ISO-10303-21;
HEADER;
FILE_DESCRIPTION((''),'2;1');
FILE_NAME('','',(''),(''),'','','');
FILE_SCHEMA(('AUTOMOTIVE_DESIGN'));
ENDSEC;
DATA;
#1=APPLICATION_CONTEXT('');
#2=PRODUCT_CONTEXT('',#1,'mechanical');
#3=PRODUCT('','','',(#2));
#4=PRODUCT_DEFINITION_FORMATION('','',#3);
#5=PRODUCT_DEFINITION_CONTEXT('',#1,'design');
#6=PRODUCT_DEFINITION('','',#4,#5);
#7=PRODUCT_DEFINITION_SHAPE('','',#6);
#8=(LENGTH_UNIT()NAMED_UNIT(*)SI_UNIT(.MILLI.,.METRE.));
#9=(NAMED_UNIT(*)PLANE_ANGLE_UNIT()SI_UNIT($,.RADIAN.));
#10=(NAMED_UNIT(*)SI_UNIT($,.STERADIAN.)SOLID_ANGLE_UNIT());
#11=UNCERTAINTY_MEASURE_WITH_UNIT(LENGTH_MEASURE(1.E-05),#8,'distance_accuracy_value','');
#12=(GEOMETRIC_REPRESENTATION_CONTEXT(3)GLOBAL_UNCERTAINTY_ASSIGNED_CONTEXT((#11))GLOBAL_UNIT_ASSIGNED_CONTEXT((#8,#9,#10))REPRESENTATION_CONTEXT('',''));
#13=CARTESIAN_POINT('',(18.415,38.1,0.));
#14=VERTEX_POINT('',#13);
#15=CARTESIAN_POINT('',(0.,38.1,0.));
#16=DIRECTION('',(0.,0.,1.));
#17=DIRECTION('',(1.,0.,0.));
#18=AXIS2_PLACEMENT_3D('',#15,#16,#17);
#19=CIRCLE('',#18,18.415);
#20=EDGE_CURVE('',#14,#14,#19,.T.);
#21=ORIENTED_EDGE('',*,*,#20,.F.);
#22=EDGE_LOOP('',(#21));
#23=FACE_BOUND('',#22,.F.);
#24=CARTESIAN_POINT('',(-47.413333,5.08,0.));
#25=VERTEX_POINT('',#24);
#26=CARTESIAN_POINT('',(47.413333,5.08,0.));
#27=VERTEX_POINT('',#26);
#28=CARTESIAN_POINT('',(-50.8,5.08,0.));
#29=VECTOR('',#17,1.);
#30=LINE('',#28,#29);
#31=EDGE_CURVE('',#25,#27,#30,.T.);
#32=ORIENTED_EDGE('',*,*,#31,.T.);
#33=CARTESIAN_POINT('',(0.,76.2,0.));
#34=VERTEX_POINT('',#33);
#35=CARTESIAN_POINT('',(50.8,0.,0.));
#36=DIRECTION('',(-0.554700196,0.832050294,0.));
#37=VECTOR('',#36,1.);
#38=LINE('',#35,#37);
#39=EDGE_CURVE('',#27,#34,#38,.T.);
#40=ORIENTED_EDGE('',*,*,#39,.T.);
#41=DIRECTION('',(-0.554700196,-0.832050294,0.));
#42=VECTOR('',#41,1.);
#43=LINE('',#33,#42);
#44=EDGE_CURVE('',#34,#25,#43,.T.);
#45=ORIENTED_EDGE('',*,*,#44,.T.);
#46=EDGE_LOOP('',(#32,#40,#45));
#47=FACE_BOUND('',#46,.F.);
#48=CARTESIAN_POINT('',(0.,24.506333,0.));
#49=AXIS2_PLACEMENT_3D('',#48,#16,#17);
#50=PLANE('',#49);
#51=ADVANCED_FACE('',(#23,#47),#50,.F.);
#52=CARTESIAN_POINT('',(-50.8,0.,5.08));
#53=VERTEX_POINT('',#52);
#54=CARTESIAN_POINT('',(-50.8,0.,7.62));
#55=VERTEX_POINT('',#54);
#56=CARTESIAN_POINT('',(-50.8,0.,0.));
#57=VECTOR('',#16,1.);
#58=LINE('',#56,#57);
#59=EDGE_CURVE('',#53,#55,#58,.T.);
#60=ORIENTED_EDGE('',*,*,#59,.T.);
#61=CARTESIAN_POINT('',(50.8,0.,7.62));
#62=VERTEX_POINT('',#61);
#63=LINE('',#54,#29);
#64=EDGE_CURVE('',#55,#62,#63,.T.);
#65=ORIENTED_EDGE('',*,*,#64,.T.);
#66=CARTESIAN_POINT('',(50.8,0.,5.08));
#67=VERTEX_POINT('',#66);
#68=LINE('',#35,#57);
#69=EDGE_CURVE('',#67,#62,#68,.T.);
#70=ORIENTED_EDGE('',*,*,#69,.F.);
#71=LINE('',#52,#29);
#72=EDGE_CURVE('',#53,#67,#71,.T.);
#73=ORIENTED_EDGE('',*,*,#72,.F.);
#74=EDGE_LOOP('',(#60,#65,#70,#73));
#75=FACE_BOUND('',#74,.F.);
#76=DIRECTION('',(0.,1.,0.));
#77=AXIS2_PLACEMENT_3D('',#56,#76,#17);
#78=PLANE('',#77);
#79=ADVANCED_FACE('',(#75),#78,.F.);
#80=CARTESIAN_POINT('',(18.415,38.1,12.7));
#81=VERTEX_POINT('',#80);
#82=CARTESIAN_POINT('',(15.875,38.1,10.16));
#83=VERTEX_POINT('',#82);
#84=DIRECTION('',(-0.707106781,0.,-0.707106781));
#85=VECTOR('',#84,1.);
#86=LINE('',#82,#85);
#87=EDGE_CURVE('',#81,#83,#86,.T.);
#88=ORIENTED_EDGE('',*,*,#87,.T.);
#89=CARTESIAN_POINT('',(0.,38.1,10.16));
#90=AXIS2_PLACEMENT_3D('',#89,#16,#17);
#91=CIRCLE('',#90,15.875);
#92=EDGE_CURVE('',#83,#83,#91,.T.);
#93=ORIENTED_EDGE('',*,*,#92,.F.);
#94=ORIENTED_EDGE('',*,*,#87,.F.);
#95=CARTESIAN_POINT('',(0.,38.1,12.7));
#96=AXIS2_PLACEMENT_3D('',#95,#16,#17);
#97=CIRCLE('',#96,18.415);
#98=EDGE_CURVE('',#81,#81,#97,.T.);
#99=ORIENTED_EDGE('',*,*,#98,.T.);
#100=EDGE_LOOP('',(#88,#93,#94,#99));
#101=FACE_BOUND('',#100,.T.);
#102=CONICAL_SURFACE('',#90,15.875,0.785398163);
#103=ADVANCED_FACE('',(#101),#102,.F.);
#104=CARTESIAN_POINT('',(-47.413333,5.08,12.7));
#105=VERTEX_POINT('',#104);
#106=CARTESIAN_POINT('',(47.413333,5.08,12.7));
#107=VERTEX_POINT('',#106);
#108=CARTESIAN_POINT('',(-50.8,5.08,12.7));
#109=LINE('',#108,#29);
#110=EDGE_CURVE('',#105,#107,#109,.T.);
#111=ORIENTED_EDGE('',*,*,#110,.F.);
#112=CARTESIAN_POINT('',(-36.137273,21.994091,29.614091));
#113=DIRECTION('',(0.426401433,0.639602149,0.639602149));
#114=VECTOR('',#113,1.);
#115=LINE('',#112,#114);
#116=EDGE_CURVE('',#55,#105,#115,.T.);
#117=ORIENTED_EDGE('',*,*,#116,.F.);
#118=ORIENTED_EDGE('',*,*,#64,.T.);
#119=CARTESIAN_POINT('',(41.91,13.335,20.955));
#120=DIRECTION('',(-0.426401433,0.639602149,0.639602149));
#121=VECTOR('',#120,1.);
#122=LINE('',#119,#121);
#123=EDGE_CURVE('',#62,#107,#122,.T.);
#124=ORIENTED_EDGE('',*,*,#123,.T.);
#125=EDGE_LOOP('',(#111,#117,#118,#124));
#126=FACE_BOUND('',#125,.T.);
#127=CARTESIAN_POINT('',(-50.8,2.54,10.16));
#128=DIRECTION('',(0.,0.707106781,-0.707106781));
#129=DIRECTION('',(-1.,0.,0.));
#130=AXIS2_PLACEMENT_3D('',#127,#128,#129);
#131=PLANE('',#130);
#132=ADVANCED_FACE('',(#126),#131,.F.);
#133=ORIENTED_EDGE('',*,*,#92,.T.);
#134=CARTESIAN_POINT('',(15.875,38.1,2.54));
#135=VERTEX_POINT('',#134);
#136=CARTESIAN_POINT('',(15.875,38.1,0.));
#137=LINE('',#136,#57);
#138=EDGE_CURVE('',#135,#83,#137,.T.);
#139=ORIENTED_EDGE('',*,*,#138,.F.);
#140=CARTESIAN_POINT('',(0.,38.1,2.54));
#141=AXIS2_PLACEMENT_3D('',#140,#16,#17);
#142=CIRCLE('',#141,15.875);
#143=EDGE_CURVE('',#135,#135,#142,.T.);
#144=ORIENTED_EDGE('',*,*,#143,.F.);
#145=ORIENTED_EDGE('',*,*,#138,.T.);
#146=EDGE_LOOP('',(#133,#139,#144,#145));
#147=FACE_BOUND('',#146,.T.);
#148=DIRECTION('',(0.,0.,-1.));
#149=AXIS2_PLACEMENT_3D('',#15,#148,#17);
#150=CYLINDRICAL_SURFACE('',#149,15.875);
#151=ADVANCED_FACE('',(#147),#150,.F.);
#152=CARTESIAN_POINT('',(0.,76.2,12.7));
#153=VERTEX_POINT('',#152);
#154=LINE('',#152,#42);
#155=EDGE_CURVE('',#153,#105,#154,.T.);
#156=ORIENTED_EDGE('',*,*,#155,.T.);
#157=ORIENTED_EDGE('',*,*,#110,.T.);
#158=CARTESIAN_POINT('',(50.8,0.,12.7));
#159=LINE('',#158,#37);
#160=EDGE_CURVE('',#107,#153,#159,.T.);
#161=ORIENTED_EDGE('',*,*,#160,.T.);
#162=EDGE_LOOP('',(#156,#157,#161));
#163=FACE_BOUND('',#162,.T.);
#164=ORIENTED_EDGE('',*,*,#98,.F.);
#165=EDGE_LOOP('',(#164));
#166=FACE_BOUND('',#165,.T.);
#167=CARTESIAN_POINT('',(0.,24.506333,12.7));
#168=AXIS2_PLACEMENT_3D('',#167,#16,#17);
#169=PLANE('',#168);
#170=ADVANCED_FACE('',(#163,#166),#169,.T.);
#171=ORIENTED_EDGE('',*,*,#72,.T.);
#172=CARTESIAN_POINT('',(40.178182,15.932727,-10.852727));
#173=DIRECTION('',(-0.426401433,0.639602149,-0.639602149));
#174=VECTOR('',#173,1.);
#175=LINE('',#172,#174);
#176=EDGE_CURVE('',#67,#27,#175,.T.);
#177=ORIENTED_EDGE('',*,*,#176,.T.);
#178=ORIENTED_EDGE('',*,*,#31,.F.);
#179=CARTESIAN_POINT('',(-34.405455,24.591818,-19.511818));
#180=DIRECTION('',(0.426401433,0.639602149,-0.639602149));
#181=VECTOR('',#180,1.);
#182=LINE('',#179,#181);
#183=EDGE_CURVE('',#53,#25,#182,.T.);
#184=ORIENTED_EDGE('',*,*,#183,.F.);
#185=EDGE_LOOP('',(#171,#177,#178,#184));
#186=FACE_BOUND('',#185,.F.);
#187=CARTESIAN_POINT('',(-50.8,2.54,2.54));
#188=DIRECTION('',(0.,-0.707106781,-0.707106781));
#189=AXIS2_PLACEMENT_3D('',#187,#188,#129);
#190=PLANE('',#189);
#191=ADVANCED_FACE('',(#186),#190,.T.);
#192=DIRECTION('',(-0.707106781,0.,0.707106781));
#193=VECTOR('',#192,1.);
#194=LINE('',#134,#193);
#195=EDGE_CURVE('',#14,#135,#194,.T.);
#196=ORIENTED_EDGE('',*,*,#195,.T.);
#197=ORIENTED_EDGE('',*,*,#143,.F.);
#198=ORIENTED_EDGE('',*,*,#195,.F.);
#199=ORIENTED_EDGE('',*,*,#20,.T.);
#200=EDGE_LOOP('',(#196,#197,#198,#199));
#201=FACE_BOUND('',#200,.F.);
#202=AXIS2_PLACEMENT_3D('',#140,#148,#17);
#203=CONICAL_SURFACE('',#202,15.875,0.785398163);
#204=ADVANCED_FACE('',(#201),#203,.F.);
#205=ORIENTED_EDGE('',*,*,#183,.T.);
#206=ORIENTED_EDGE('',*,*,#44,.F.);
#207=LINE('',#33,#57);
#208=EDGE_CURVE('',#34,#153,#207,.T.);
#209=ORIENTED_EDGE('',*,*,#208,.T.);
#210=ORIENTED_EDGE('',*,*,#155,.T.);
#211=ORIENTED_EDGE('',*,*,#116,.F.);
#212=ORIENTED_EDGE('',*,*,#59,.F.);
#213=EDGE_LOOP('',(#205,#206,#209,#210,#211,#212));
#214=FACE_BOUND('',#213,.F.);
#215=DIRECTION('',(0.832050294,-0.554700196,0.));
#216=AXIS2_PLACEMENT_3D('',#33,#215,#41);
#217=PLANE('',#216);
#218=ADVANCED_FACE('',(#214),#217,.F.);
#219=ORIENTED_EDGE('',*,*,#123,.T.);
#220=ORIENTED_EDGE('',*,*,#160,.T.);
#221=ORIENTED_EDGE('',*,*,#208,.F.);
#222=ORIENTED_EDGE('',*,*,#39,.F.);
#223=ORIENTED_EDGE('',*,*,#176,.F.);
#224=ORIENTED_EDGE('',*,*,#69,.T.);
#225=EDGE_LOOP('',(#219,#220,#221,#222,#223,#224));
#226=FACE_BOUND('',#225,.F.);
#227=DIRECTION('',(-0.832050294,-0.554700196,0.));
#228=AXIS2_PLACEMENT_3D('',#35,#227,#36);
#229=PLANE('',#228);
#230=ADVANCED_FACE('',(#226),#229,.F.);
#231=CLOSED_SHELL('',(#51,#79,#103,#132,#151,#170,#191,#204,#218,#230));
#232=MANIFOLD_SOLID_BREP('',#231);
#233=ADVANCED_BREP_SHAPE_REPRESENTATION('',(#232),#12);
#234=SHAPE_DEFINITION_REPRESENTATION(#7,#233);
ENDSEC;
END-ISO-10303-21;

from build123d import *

# Parameters (mm, degrees)
F0_R     = 15.875
F1_DEPTH = 12.7
F2_SIZE  = 5.08
F3_SIZE  = 2.54


with BuildPart() as f1:
    # F0 (on Top) → F1 (new body)
    with BuildSketch(Plane.XY):
        Polygon((0, 76.2), (-50.8, 0), (50.8, 0), align=None)
        with Locations((0, 38.1)):
            Circle(F0_R, mode=Mode.SUBTRACT)
    extrude(amount=F1_DEPTH)

    # F2
    f2_edges = [f1.edges().sort_by_distance(p)[0] for p in [
        (0, 0, 12.7),
        (0, 0, 0),
    ]]
    chamfer(f2_edges, length=F2_SIZE)

    # F3
    f3_edges = [f1.edges().sort_by_distance(p)[0] for p in [
        (-15.875, 38.1, 0),
        (-15.875, 38.1, 12.7),
    ]]
    chamfer(f3_edges, length=F3_SIZE)


solid = f1.part
